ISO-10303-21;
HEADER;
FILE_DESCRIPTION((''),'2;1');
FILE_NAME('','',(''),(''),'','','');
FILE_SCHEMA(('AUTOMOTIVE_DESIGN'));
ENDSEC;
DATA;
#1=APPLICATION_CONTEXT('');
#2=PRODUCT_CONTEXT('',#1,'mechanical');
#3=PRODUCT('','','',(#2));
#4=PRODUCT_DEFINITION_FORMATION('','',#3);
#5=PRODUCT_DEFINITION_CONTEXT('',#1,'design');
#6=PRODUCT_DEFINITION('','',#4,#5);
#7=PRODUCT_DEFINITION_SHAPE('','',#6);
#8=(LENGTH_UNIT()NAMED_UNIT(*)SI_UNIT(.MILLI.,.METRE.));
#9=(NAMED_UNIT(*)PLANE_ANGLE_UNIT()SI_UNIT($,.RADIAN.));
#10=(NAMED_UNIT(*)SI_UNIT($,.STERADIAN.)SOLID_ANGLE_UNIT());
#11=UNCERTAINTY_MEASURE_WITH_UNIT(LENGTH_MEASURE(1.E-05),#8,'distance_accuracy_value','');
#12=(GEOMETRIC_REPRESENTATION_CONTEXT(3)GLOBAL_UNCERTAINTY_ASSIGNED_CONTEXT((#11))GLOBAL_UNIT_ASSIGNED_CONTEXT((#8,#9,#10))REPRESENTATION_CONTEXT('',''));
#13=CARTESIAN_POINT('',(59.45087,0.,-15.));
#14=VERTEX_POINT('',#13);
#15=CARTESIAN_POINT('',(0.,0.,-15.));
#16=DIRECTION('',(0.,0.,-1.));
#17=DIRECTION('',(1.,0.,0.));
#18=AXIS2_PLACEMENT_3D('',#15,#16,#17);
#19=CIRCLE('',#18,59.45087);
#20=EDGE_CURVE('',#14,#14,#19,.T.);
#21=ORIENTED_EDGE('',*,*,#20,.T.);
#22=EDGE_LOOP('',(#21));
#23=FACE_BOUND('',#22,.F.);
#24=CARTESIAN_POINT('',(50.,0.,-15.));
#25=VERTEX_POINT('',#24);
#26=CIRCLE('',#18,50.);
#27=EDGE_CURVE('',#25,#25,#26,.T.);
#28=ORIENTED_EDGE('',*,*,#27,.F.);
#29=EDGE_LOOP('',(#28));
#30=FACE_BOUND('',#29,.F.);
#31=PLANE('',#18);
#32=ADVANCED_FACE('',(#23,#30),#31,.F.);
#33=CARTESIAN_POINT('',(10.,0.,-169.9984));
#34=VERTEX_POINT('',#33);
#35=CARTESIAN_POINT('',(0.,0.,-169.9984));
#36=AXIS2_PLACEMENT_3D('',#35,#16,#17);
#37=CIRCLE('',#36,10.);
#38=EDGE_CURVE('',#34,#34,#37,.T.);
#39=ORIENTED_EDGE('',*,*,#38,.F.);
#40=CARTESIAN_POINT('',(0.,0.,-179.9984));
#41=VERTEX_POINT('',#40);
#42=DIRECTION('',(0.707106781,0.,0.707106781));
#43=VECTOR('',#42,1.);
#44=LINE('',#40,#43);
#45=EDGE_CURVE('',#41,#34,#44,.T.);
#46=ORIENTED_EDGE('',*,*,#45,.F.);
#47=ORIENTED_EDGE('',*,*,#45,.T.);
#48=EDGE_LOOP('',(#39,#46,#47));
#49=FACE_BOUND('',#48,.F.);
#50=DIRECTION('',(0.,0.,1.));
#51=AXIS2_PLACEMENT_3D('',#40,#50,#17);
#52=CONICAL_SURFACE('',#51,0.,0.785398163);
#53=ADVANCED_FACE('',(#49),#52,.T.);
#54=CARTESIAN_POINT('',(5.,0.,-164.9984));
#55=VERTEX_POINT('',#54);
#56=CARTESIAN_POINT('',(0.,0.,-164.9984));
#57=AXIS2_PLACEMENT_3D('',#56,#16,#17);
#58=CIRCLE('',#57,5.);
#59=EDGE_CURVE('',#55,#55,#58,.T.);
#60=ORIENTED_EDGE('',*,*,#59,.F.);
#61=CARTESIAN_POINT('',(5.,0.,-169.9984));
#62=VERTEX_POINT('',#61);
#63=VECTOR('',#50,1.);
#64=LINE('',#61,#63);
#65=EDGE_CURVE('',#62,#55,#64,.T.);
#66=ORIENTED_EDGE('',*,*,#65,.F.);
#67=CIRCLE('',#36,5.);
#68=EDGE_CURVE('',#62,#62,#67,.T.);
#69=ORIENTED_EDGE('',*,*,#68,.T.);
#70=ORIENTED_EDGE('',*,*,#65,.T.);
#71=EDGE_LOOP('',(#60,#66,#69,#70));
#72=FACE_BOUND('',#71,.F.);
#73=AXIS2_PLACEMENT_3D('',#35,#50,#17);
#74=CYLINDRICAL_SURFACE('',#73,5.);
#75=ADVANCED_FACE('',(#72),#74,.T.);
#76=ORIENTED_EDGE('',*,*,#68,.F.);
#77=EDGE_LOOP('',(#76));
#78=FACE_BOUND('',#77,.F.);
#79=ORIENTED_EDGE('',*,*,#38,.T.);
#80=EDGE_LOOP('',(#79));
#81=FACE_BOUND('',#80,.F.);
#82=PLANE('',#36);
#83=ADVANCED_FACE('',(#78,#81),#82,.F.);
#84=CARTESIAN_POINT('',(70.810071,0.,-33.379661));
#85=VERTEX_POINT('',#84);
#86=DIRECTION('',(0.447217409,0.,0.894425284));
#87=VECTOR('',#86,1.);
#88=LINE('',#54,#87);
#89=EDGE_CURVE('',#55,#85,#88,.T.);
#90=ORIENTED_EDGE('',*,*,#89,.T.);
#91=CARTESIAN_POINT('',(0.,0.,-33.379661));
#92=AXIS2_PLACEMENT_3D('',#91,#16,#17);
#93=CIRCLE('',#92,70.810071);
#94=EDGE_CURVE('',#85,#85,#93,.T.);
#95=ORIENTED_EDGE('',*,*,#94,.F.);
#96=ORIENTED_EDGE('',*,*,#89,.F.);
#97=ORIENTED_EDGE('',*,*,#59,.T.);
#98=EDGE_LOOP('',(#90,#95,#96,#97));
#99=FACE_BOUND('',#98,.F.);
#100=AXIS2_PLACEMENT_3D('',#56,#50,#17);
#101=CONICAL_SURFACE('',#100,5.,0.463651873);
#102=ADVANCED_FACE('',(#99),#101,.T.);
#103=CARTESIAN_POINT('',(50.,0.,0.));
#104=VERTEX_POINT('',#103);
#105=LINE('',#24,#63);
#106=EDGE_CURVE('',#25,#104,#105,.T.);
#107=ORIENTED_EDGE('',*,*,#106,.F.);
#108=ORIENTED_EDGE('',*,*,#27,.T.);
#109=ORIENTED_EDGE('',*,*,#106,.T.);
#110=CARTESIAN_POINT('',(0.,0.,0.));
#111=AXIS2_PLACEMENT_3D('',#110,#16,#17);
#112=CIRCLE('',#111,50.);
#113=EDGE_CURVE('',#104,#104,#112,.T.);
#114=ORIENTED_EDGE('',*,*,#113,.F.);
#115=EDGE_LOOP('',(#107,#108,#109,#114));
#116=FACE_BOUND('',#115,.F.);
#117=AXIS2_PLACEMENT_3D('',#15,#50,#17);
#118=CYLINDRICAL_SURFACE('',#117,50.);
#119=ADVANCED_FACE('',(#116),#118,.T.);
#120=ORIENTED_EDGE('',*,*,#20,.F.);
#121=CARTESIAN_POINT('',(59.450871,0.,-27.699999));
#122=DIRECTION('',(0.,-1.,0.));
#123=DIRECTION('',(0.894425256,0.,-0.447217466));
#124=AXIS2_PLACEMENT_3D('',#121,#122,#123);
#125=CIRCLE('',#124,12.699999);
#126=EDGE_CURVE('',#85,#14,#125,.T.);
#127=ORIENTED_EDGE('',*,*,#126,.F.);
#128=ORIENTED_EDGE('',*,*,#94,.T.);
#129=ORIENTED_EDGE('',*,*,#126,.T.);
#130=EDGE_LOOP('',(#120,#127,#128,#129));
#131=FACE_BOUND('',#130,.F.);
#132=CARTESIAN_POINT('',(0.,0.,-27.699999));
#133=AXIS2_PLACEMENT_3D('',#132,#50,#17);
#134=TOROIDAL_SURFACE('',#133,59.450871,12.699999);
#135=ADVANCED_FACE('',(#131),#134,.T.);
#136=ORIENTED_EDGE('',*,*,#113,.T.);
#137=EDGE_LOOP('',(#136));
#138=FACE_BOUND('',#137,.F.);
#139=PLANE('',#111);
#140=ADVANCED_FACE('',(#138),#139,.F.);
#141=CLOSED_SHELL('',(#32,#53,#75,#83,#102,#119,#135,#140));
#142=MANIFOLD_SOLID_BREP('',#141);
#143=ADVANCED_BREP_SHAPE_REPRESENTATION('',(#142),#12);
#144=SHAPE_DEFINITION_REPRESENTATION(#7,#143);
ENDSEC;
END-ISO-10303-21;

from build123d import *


with BuildPart() as f1:
    # F0 (on Front) → F1 (revolve)
    with BuildSketch(Plane.XZ):
        with BuildLine():
            Line((50, -15), (50, 0))
            Line((50, 0), (0, 0))
            Line((0, 0), (0, -179.9984))
            Line((0, -179.9984), (10, -169.9984))
            Line((10, -169.9984), (5, -169.9984))
            Line((5, -169.9984), (5, -164.9984))
            Line((5, -164.9984), (70.810071, -33.379661))
            ThreePointArc((70.810071, -33.379661), (70.25415, -21.023238), (59.45087, -15))
            Line((59.45087, -15), (50, -15))
        make_face()
    revolve(axis=Axis((0, 0, -89.9992), (0, 0, -1)))


solid = f1.part
